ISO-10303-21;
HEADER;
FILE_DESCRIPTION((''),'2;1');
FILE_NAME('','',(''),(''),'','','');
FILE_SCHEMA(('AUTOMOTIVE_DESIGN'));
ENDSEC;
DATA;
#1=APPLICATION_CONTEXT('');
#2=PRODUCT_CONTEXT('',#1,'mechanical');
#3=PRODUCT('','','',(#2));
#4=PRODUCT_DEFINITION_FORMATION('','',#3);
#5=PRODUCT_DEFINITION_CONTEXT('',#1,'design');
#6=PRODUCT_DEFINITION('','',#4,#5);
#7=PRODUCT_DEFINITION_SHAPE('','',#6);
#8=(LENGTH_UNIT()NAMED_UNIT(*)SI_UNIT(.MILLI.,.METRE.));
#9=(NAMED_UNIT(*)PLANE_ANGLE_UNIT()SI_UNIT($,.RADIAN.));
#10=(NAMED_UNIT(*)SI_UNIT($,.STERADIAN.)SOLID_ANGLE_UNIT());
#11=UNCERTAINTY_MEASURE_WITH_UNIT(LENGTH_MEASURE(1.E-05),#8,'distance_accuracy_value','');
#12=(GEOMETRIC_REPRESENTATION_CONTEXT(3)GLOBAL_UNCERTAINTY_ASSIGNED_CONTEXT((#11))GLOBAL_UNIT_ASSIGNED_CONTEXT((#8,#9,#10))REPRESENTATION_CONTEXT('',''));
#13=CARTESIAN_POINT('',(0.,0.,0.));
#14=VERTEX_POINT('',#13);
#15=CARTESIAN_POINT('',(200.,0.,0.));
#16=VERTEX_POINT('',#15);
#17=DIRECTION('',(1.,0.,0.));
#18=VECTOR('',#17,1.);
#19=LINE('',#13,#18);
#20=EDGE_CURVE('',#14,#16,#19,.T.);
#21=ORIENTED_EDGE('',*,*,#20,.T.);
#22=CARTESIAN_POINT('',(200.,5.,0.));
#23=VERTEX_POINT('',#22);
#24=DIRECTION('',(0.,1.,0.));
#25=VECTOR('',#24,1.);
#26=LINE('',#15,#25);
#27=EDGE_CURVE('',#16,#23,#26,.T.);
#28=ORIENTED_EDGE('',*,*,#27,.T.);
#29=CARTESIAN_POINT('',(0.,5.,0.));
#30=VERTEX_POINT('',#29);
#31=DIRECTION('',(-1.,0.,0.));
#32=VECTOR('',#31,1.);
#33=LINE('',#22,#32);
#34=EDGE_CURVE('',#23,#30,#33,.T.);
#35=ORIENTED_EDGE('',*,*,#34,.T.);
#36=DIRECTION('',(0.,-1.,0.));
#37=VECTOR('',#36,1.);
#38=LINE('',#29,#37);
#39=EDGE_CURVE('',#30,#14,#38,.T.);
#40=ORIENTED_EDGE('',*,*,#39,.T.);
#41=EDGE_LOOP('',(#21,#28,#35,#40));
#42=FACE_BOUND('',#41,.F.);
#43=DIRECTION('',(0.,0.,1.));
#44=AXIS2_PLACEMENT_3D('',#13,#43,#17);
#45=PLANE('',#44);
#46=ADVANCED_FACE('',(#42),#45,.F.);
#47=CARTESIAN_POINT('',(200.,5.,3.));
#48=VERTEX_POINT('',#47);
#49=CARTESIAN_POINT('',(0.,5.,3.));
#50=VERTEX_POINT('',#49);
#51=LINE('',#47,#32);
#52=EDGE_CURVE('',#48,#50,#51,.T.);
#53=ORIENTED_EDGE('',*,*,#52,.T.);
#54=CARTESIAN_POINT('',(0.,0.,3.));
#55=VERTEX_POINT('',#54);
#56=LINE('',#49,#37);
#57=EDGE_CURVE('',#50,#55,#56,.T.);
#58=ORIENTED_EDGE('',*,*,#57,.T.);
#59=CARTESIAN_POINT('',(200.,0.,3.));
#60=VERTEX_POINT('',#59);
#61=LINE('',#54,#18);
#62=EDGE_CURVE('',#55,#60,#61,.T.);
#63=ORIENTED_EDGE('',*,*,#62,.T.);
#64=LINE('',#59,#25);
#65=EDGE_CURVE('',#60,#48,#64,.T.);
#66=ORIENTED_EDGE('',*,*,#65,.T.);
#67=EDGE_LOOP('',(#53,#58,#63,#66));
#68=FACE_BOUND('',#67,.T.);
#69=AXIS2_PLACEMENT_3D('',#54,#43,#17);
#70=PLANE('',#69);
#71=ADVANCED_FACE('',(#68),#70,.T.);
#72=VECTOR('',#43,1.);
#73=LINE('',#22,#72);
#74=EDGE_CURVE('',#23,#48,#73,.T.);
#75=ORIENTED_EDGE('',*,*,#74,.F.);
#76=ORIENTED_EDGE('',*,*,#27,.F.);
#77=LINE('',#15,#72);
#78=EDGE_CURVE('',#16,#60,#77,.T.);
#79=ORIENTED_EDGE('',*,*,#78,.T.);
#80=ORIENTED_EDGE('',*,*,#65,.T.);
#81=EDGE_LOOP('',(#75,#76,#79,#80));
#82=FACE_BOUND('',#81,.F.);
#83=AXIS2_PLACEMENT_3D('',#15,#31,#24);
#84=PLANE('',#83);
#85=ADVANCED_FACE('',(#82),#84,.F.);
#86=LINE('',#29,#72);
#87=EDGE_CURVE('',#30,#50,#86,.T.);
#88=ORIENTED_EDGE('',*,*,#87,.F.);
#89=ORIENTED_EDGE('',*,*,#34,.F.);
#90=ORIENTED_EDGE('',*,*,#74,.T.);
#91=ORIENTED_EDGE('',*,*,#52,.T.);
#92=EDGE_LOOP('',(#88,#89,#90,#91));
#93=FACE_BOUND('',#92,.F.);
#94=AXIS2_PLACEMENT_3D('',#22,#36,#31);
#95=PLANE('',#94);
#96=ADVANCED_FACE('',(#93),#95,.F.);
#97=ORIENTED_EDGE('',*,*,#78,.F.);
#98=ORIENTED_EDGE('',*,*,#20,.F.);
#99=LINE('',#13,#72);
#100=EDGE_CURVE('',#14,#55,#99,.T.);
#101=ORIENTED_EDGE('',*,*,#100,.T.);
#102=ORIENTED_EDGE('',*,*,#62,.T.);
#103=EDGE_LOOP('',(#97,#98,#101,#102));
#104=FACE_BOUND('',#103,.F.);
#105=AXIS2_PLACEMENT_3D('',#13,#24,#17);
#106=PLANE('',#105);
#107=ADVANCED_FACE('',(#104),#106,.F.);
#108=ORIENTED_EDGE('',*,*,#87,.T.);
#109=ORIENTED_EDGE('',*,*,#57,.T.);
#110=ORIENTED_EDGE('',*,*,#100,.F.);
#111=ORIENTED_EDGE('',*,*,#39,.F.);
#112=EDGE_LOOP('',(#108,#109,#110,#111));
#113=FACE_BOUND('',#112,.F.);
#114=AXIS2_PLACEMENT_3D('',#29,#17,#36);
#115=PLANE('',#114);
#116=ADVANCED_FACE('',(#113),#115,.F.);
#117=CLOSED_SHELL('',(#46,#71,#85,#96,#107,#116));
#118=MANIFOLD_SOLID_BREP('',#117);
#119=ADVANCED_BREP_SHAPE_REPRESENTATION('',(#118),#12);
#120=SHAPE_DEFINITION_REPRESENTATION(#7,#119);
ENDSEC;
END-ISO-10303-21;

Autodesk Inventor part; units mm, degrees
ref_plane "YZ Plane" through (0, 0, 0) normal (1, 0, 0) x (0, 1, 0)
ref_plane "XZ Plane" through (0, 0, 0) normal (0, 1, 0) x (-1, 0, 0)
ref_plane "XY Plane" through (0, 0, 0) normal (0, 0, 1) x (1, 0, 0)
sketch "Esquisse1" plane through (0, 0, 0) normal (0, 0, 1) x (1, 0, 0)
  line L0 (0, 0) -> (200, 0)
  line L1 (200, 0) -> (200, 5)
  line L2 (200, 5) -> (0, 5)
  line L3 (0, 5) -> (0, 0)
  dimension "d0" = 200
  dimension "d1" = 5
extrude "Extrusion1" add sketch "Esquisse1" along normal blind 3
properties part number "cote"
